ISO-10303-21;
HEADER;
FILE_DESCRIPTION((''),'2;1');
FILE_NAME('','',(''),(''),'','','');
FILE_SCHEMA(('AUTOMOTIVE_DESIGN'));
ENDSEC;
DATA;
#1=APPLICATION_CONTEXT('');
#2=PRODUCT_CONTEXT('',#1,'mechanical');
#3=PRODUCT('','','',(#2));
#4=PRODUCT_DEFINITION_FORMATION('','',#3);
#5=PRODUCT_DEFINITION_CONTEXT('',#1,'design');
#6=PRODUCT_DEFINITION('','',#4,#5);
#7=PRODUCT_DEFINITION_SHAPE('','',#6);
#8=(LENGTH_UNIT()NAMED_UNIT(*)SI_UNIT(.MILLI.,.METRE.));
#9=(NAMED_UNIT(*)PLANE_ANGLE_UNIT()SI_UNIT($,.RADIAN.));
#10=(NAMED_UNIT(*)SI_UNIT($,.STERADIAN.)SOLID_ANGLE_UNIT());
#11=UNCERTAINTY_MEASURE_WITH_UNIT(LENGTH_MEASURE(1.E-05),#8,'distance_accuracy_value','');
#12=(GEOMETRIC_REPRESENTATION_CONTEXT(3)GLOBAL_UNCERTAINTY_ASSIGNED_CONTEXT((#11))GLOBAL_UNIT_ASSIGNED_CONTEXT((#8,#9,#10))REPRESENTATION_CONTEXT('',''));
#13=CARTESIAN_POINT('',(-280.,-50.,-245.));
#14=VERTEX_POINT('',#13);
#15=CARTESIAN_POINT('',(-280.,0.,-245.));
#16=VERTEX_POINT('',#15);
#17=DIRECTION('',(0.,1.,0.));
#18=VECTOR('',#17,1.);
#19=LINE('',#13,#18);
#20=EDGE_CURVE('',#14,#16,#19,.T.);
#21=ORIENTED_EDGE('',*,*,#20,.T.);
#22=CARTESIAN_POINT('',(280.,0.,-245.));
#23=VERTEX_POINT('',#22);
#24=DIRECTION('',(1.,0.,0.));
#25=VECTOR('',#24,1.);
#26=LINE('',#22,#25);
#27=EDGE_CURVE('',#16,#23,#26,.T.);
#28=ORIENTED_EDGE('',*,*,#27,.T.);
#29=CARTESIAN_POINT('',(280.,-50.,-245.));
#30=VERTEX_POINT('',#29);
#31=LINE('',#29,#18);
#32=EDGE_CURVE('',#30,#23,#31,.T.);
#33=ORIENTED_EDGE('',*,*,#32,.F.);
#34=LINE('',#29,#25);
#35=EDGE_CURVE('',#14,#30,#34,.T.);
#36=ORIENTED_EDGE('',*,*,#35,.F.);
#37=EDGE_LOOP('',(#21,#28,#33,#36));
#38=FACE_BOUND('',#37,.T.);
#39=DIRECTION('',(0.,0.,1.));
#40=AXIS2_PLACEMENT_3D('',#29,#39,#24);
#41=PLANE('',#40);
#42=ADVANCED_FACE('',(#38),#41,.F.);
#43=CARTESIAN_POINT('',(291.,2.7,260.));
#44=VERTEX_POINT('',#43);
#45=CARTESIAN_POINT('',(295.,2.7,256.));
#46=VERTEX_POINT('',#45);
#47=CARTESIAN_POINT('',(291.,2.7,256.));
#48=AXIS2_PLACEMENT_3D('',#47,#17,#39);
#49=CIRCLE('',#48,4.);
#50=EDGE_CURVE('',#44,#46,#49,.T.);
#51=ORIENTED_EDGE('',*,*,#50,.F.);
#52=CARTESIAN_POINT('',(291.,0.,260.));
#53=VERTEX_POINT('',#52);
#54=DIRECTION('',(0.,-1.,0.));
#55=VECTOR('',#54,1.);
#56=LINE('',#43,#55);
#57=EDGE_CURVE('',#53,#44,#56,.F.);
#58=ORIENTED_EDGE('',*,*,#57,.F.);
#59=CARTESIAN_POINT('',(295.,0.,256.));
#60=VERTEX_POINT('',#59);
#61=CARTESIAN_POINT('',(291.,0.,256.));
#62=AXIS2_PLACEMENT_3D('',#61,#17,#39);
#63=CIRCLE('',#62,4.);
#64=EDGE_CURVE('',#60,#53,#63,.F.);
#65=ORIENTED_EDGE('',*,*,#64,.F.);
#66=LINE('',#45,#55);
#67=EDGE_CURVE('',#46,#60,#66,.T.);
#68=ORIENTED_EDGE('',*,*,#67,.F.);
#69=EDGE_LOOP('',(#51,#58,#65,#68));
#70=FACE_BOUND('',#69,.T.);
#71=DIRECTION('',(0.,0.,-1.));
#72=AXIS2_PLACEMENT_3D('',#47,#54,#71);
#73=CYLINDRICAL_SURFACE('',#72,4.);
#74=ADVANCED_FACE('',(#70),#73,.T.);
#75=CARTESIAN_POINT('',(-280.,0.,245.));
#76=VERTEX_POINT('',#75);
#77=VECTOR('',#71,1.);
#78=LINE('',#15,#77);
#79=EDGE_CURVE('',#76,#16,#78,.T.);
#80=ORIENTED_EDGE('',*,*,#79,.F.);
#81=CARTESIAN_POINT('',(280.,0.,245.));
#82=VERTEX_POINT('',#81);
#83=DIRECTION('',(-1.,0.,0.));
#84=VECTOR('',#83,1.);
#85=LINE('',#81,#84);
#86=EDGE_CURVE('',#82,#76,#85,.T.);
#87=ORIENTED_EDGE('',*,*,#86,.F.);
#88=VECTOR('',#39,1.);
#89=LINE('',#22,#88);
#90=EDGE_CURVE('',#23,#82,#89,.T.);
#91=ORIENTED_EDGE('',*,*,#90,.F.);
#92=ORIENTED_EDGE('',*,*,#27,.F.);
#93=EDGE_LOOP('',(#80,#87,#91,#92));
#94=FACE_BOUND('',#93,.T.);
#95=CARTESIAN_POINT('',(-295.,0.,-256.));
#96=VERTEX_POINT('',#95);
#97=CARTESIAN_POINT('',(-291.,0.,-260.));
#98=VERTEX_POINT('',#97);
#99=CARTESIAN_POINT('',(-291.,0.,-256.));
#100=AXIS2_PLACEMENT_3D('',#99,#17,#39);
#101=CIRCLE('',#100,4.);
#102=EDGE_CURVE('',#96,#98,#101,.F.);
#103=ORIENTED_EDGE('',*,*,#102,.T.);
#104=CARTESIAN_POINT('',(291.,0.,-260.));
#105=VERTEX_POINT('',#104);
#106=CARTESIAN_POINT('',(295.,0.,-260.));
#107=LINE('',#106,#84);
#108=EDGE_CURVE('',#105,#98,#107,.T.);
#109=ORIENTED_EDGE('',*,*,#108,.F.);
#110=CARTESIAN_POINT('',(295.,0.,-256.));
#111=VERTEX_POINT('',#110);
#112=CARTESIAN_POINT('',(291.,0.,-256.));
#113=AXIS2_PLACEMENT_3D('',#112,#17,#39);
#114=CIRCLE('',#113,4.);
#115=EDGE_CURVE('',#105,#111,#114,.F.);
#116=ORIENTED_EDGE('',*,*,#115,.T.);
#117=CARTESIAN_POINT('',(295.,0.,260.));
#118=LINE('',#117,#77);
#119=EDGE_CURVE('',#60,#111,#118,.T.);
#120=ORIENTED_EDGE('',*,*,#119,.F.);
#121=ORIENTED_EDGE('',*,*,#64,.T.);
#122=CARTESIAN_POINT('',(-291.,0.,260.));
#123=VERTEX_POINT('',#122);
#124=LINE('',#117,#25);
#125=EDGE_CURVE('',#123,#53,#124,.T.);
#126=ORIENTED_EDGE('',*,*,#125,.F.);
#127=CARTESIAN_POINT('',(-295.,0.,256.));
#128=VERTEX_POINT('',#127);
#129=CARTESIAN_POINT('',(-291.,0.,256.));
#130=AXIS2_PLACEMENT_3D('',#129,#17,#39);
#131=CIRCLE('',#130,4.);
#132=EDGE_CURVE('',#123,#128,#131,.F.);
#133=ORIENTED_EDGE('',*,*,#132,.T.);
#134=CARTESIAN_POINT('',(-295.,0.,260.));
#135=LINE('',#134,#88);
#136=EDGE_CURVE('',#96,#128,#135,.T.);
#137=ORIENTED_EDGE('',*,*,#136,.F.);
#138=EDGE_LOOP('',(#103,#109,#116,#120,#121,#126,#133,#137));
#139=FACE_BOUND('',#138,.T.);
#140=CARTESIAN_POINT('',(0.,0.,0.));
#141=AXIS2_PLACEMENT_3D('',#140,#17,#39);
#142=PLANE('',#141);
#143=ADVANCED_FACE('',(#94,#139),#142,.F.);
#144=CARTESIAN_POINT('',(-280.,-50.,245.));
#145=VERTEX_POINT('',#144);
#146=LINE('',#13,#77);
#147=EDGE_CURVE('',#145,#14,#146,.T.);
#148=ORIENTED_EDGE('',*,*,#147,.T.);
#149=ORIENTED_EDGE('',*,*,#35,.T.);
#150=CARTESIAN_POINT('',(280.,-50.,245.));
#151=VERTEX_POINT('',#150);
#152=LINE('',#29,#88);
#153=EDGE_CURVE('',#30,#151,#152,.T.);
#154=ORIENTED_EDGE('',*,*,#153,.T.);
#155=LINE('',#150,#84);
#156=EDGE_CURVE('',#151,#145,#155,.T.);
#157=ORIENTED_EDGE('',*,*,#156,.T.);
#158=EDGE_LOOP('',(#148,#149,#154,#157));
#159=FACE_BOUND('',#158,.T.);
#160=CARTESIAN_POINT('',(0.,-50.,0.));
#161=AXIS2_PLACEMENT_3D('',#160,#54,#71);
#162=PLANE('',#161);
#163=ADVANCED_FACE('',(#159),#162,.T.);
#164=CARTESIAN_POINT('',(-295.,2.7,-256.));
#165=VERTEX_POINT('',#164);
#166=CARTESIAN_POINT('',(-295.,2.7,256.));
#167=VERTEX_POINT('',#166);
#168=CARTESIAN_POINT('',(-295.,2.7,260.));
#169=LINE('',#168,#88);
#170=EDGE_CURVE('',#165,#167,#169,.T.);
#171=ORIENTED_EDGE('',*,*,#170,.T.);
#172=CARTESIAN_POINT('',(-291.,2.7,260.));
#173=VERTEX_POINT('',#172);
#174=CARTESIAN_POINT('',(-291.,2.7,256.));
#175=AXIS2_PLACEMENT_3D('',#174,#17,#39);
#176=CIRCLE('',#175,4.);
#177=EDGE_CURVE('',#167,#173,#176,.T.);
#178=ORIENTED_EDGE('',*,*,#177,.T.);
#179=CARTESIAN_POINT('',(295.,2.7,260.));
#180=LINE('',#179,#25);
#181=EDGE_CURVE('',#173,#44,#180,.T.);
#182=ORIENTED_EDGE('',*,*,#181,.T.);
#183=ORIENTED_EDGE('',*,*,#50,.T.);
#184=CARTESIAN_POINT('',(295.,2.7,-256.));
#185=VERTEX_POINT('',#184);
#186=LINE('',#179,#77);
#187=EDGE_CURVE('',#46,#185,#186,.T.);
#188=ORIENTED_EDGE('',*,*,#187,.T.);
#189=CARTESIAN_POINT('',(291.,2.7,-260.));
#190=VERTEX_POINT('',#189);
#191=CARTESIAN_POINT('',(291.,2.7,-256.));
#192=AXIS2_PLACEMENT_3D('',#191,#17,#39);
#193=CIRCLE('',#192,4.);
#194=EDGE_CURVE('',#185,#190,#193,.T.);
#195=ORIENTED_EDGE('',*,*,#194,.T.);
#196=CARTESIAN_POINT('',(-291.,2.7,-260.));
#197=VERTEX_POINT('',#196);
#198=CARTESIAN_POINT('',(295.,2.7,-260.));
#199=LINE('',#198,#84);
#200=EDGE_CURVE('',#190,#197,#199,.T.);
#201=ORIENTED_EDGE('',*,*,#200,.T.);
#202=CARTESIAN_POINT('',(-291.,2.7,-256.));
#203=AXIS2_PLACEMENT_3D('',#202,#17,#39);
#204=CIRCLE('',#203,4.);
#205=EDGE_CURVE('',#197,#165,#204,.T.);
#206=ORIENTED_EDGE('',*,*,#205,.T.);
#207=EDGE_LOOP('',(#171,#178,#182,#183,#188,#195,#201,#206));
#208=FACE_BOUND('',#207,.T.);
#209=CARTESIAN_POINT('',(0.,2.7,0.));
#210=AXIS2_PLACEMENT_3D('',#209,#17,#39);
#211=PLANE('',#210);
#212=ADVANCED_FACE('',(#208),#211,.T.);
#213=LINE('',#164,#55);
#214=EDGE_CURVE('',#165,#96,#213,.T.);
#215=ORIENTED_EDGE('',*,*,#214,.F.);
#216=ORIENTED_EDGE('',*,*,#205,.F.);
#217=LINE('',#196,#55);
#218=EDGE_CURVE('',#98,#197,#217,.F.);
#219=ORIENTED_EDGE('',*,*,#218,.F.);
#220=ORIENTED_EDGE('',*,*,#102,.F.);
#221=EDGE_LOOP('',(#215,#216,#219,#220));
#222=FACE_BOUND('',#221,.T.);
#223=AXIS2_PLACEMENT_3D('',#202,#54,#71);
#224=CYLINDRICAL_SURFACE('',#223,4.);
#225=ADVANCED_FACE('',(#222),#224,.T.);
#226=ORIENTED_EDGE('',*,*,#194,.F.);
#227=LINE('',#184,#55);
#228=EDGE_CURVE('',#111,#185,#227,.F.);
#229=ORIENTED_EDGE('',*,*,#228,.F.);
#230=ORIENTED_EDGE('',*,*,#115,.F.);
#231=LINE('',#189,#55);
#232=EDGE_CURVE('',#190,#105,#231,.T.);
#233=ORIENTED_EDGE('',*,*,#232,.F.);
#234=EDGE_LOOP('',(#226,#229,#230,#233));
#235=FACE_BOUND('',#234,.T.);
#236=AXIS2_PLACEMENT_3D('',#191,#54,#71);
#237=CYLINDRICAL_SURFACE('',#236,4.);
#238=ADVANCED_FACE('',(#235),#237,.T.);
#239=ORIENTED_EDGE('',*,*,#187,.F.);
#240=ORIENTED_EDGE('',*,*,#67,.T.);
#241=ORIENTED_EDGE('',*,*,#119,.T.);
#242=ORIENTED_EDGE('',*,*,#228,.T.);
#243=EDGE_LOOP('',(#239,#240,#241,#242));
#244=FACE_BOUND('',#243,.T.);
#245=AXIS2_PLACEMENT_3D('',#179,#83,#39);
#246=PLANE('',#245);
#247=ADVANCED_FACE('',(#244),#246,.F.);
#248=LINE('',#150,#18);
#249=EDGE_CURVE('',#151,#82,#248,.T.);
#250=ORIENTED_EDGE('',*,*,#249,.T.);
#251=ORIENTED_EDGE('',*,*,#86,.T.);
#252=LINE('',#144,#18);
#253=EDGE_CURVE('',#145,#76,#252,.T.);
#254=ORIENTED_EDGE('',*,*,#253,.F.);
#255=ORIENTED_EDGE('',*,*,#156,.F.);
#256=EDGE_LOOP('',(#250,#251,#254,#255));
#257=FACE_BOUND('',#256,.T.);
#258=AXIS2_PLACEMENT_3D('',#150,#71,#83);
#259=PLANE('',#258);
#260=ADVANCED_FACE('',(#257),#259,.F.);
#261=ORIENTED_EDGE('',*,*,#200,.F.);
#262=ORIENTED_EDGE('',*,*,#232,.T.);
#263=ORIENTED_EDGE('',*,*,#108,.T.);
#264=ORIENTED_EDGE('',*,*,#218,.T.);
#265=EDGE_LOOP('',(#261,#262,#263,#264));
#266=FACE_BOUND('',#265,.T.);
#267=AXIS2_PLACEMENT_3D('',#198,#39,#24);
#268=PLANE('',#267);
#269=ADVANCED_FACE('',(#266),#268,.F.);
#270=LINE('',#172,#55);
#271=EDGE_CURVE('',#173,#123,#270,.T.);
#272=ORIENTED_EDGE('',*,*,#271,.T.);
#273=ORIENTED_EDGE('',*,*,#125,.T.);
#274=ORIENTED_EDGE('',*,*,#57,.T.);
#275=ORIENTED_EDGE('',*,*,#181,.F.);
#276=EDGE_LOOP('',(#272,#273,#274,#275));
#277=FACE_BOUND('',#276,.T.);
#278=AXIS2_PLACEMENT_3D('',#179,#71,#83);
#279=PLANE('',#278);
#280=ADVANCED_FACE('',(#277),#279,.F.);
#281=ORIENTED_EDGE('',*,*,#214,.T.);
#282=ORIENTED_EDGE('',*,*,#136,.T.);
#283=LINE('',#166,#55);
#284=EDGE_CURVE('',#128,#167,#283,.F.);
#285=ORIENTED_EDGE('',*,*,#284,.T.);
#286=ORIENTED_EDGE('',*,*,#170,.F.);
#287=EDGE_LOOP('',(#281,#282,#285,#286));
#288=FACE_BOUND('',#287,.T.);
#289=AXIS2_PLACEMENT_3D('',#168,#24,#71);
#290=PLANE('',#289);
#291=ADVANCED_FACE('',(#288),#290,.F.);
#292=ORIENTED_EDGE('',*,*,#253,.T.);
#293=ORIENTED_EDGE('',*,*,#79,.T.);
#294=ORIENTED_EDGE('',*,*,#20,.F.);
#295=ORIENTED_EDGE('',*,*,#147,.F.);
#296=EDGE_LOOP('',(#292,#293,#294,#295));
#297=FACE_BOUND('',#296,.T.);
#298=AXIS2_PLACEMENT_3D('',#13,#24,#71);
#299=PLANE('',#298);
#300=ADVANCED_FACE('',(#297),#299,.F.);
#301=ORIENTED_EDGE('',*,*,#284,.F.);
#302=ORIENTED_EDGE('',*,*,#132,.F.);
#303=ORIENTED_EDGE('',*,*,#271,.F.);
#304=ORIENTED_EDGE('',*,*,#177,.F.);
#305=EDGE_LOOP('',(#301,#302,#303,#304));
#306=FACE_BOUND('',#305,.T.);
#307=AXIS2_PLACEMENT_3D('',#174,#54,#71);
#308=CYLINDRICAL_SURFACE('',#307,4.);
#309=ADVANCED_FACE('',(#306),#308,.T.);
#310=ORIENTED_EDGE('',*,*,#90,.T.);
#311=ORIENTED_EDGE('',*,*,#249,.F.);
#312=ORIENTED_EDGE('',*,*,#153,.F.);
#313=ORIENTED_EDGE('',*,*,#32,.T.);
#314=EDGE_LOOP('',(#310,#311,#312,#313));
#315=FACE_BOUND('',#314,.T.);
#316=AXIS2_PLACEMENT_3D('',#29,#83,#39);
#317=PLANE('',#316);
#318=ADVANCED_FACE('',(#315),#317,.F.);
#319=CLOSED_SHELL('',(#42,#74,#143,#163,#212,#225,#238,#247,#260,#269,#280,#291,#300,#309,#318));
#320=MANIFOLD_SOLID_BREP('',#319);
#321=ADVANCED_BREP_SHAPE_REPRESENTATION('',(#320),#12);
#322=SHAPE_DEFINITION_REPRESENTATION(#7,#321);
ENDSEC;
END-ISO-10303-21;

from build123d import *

# Parameters (mm, degrees)
SKETCH1_W           = 590
SKETCH1_H           = 520
BOSS_EXTRUDE1_DEPTH = 2.7
SKETCH2_W           = 560
SKETCH2_H           = 490
BOSS_EXTRUDE2_DEPTH = 50
FILLET1_R           = 4


with BuildPart() as part:
    # Sketch1 → Boss-Extrude1 (new body)
    with BuildSketch(Plane(origin=(0, 0, 0), x_dir=(1, 0, 0), z_dir=(0, 1, 0))):
        Rectangle(SKETCH1_W, SKETCH1_H)
    extrude(amount=BOSS_EXTRUDE1_DEPTH)

    # Sketch2 → Boss-Extrude2 (add)
    with BuildSketch(Plane.XZ):
        Rectangle(SKETCH2_W, SKETCH2_H)
    extrude(amount=BOSS_EXTRUDE2_DEPTH)

    # Fillet1
    fillet1_edges = [part.edges().sort_by_distance(p)[0] for p in [
        (-295, 1.35, -260),
        (295, 1.35, -260),
        (295, 1.35, 260),
        (-295, 1.35, 260),
    ]]
    fillet(fillet1_edges, radius=FILLET1_R)


solid = part.part
